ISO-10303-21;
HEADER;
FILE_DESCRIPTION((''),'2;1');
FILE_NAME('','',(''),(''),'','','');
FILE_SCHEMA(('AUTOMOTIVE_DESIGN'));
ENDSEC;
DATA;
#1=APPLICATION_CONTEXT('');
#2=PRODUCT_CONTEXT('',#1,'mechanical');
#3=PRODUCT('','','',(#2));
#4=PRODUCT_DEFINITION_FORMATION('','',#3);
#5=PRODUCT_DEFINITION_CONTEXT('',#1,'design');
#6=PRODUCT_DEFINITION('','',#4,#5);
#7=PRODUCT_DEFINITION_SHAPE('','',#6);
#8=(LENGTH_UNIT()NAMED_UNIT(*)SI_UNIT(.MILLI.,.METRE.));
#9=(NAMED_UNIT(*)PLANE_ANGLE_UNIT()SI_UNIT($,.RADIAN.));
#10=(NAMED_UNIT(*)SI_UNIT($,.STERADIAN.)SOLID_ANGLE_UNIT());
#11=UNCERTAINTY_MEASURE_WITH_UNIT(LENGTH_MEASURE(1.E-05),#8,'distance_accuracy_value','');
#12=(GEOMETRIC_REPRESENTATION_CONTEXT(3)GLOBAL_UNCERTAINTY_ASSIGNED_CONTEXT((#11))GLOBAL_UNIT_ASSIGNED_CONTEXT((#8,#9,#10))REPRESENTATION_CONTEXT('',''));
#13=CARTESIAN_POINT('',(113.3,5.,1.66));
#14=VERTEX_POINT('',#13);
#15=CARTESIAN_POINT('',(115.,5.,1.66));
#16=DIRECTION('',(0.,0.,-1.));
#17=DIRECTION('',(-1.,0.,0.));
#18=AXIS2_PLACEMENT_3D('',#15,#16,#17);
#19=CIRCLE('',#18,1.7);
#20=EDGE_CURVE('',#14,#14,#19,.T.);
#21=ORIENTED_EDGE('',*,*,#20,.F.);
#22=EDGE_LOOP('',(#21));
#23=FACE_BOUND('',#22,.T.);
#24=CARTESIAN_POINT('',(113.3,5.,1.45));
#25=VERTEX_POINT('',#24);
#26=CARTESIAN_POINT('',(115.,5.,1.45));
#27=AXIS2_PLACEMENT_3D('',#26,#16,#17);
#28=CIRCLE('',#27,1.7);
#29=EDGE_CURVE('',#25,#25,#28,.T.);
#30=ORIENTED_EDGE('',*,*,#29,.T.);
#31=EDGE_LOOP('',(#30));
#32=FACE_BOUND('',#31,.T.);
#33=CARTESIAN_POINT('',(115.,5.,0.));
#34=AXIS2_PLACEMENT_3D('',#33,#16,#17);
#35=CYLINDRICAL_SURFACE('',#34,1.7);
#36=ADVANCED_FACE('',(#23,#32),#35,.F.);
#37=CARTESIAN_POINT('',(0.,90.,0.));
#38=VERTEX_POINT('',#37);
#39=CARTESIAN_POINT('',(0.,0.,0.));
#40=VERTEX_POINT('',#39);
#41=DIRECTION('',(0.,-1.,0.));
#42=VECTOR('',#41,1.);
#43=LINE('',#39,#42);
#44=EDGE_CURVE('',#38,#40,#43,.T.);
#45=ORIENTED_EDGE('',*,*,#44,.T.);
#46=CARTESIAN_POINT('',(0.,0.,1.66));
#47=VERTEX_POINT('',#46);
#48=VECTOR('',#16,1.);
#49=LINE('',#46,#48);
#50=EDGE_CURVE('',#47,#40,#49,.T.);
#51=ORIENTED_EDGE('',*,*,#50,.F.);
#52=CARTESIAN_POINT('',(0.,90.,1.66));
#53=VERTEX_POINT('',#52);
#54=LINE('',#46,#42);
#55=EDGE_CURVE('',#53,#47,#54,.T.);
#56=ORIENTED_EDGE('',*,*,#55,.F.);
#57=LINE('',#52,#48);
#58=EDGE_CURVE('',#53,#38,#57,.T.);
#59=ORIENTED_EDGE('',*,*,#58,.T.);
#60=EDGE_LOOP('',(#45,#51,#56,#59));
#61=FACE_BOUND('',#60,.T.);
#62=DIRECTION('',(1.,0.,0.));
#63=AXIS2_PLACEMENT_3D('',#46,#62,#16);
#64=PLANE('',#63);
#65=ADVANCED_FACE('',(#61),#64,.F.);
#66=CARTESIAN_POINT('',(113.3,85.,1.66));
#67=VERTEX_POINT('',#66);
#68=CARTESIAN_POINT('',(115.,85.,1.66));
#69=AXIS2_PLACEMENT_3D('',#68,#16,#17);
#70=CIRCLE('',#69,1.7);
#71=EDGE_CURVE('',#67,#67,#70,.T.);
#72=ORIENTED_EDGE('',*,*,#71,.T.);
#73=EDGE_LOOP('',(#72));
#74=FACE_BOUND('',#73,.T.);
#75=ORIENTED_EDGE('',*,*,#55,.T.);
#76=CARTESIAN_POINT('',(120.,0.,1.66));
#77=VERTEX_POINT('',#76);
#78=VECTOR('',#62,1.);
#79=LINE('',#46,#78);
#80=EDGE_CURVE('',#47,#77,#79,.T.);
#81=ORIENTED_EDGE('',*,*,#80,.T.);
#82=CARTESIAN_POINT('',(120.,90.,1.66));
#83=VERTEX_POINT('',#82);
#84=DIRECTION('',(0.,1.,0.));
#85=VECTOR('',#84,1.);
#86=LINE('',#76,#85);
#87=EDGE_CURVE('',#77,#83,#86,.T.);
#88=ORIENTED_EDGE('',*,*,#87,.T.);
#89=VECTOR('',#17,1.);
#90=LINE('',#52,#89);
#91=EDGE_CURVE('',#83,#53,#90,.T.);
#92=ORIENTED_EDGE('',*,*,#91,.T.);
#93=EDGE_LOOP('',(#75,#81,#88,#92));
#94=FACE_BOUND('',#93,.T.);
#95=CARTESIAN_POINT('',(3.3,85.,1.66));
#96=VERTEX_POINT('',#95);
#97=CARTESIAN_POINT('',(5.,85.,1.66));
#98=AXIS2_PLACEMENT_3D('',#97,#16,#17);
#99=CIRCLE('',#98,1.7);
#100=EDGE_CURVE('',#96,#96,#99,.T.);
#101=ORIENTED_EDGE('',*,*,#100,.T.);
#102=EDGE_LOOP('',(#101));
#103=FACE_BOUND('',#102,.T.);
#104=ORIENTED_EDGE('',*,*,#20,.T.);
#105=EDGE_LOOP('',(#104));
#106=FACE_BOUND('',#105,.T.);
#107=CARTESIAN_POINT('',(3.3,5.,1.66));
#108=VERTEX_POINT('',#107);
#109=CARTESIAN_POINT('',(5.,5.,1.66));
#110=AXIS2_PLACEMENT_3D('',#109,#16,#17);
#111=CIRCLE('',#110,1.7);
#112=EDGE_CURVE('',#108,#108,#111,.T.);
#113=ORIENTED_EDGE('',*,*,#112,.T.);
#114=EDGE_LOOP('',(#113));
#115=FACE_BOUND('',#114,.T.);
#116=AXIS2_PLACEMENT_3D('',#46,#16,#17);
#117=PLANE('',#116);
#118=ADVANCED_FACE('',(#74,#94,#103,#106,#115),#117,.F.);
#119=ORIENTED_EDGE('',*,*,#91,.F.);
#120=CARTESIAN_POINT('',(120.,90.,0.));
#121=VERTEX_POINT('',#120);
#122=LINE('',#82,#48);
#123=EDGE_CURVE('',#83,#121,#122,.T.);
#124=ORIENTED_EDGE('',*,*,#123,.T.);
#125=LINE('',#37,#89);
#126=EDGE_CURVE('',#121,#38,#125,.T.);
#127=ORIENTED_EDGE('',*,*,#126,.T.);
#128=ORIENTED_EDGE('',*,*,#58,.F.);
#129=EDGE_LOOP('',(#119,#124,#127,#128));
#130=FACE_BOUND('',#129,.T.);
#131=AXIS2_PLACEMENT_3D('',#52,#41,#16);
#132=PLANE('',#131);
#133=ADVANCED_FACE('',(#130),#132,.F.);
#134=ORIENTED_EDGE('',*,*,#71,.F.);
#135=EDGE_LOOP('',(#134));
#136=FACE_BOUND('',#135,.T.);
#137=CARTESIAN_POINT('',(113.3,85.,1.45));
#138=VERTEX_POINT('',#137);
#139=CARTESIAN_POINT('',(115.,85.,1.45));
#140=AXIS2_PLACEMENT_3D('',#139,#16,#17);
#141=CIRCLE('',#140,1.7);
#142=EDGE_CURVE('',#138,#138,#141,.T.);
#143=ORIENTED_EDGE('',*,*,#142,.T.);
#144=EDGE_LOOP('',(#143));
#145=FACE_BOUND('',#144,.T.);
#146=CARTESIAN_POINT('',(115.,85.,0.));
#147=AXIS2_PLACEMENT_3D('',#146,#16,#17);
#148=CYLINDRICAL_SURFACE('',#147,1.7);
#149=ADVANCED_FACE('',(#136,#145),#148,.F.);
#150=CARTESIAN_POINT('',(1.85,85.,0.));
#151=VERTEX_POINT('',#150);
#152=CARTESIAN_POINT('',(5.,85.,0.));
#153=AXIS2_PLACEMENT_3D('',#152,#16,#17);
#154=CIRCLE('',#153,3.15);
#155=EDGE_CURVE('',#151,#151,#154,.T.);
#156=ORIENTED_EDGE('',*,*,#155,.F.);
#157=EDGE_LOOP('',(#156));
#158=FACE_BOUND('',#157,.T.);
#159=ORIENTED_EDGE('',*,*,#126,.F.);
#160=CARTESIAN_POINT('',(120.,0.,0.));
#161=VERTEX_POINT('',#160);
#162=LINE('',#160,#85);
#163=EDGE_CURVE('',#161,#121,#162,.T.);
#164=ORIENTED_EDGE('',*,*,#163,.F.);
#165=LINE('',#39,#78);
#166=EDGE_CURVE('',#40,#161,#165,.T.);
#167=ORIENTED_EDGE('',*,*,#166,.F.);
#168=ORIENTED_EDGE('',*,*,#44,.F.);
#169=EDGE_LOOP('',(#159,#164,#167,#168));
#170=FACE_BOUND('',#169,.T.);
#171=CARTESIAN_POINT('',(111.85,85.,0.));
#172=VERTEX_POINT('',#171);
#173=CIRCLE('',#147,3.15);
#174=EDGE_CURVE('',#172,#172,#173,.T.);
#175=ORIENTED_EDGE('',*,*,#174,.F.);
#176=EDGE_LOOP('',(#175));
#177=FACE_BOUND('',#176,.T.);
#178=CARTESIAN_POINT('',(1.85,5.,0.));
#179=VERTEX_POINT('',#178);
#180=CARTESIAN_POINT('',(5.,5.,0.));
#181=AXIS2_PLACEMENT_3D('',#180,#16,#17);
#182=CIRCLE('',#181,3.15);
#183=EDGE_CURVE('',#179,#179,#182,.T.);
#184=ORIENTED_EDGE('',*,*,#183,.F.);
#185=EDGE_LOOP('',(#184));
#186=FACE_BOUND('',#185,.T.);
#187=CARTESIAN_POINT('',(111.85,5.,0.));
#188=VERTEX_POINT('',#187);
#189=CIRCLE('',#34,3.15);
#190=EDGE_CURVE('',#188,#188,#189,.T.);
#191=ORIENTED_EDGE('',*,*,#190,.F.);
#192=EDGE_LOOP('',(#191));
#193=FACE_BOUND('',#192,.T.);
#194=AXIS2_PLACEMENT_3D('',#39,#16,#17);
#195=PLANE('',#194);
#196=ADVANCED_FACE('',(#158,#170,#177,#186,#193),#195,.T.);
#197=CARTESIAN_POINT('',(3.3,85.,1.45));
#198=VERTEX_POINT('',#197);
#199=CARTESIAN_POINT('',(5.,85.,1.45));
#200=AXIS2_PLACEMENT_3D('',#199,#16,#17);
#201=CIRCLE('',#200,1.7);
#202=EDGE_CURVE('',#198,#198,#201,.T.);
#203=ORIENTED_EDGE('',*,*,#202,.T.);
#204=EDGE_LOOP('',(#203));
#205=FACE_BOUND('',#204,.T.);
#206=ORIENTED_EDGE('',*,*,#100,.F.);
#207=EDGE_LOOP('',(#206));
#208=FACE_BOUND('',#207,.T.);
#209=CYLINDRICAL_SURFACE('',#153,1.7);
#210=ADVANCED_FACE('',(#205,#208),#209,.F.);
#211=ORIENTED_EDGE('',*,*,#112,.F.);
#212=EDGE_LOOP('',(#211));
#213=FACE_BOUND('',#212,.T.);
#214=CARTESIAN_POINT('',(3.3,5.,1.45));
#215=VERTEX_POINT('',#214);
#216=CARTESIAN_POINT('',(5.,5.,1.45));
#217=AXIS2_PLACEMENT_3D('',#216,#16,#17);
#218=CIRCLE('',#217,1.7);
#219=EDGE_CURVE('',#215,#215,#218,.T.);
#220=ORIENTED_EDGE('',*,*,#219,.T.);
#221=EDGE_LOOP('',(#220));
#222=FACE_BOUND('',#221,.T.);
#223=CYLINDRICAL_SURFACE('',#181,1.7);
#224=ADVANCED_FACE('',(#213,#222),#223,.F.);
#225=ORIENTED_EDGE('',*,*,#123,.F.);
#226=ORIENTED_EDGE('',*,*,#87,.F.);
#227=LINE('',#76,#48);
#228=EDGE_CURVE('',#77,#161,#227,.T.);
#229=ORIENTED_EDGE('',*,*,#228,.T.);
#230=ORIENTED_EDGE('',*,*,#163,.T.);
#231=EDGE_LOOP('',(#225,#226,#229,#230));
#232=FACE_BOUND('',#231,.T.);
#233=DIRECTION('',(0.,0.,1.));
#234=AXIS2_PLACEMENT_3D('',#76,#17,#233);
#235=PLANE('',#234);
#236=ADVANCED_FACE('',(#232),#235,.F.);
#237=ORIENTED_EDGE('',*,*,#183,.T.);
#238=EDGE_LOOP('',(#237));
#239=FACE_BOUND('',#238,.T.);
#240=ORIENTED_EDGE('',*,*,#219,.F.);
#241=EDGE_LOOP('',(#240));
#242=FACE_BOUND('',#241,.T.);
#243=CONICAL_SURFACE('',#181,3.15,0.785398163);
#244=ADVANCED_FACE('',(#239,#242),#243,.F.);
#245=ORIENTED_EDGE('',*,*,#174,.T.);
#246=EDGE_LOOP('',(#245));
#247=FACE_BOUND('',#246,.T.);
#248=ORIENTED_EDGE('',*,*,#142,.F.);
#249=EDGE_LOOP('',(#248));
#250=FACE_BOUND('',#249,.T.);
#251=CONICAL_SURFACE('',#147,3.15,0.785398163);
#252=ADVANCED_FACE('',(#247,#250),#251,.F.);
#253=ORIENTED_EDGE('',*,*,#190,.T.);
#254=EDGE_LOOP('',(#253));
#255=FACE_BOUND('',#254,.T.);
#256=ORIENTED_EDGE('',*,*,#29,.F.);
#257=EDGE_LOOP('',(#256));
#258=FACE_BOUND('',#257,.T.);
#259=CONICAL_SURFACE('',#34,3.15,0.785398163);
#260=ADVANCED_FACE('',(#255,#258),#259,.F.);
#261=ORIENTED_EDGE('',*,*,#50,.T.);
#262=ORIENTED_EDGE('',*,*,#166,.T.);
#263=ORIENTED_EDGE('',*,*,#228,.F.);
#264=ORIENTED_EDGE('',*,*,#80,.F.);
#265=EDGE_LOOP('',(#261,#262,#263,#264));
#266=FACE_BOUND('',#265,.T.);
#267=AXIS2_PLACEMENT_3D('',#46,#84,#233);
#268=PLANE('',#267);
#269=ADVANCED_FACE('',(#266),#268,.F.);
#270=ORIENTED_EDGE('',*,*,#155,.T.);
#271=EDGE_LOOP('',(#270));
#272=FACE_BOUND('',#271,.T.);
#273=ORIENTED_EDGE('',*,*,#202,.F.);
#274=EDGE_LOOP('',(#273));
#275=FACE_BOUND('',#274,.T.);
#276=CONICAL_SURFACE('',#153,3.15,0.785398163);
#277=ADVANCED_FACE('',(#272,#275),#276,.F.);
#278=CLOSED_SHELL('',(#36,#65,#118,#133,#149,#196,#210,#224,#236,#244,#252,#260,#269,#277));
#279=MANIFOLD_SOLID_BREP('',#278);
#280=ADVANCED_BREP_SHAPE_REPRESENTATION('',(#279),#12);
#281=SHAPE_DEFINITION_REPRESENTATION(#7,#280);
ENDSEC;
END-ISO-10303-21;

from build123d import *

# Parameters (mm, degrees)
SKETCH1_W                                           = 120
SKETCH1_H                                           = 90
BOSS_EXTRUDE1_DEPTH                                 = 1.66
CSK_FOR_M3_COUNTERSUNK_FLAT_HEAD_SCREW1_D           = 3.4
CSK_FOR_M3_COUNTERSUNK_FLAT_HEAD_SCREW1_DEPTH       = 30
CSK_FOR_M3_COUNTERSUNK_FLAT_HEAD_SCREW1_CSINK_D     = 6.3
CSK_FOR_M3_COUNTERSUNK_FLAT_HEAD_SCREW1_CSINK_ANGLE = 90
CSK_FOR_M3_COUNTERSUNK_FLAT_HEAD_SCREW1_TIP         = 1.021463052


with BuildPart() as part:
    # Sketch1 → Boss-Extrude1 (new body)
    with BuildSketch(Plane.XY):
        with Locations((60, 45)):
            Rectangle(SKETCH1_W, SKETCH1_H)
    extrude(amount=BOSS_EXTRUDE1_DEPTH)

    # CSK for M3 Countersunk Flat Head Screw1
    with Locations(Plane(origin=(0, 0, 0), x_dir=(-1, 0, 0), z_dir=(0, 0, -1))):
        with Locations((-5, 5), (-5, 85), (-115, 85), (-115, 5)):
            CounterSinkHole(CSK_FOR_M3_COUNTERSUNK_FLAT_HEAD_SCREW1_D / 2, CSK_FOR_M3_COUNTERSUNK_FLAT_HEAD_SCREW1_CSINK_D / 2, depth=CSK_FOR_M3_COUNTERSUNK_FLAT_HEAD_SCREW1_DEPTH, counter_sink_angle=CSK_FOR_M3_COUNTERSUNK_FLAT_HEAD_SCREW1_CSINK_ANGLE)
            with Locations((0, 0, -(CSK_FOR_M3_COUNTERSUNK_FLAT_HEAD_SCREW1_DEPTH + CSK_FOR_M3_COUNTERSUNK_FLAT_HEAD_SCREW1_TIP / 2))):  # 118° drill point
                Cone(0, CSK_FOR_M3_COUNTERSUNK_FLAT_HEAD_SCREW1_D / 2, CSK_FOR_M3_COUNTERSUNK_FLAT_HEAD_SCREW1_TIP, mode=Mode.SUBTRACT)


solid = part.part
